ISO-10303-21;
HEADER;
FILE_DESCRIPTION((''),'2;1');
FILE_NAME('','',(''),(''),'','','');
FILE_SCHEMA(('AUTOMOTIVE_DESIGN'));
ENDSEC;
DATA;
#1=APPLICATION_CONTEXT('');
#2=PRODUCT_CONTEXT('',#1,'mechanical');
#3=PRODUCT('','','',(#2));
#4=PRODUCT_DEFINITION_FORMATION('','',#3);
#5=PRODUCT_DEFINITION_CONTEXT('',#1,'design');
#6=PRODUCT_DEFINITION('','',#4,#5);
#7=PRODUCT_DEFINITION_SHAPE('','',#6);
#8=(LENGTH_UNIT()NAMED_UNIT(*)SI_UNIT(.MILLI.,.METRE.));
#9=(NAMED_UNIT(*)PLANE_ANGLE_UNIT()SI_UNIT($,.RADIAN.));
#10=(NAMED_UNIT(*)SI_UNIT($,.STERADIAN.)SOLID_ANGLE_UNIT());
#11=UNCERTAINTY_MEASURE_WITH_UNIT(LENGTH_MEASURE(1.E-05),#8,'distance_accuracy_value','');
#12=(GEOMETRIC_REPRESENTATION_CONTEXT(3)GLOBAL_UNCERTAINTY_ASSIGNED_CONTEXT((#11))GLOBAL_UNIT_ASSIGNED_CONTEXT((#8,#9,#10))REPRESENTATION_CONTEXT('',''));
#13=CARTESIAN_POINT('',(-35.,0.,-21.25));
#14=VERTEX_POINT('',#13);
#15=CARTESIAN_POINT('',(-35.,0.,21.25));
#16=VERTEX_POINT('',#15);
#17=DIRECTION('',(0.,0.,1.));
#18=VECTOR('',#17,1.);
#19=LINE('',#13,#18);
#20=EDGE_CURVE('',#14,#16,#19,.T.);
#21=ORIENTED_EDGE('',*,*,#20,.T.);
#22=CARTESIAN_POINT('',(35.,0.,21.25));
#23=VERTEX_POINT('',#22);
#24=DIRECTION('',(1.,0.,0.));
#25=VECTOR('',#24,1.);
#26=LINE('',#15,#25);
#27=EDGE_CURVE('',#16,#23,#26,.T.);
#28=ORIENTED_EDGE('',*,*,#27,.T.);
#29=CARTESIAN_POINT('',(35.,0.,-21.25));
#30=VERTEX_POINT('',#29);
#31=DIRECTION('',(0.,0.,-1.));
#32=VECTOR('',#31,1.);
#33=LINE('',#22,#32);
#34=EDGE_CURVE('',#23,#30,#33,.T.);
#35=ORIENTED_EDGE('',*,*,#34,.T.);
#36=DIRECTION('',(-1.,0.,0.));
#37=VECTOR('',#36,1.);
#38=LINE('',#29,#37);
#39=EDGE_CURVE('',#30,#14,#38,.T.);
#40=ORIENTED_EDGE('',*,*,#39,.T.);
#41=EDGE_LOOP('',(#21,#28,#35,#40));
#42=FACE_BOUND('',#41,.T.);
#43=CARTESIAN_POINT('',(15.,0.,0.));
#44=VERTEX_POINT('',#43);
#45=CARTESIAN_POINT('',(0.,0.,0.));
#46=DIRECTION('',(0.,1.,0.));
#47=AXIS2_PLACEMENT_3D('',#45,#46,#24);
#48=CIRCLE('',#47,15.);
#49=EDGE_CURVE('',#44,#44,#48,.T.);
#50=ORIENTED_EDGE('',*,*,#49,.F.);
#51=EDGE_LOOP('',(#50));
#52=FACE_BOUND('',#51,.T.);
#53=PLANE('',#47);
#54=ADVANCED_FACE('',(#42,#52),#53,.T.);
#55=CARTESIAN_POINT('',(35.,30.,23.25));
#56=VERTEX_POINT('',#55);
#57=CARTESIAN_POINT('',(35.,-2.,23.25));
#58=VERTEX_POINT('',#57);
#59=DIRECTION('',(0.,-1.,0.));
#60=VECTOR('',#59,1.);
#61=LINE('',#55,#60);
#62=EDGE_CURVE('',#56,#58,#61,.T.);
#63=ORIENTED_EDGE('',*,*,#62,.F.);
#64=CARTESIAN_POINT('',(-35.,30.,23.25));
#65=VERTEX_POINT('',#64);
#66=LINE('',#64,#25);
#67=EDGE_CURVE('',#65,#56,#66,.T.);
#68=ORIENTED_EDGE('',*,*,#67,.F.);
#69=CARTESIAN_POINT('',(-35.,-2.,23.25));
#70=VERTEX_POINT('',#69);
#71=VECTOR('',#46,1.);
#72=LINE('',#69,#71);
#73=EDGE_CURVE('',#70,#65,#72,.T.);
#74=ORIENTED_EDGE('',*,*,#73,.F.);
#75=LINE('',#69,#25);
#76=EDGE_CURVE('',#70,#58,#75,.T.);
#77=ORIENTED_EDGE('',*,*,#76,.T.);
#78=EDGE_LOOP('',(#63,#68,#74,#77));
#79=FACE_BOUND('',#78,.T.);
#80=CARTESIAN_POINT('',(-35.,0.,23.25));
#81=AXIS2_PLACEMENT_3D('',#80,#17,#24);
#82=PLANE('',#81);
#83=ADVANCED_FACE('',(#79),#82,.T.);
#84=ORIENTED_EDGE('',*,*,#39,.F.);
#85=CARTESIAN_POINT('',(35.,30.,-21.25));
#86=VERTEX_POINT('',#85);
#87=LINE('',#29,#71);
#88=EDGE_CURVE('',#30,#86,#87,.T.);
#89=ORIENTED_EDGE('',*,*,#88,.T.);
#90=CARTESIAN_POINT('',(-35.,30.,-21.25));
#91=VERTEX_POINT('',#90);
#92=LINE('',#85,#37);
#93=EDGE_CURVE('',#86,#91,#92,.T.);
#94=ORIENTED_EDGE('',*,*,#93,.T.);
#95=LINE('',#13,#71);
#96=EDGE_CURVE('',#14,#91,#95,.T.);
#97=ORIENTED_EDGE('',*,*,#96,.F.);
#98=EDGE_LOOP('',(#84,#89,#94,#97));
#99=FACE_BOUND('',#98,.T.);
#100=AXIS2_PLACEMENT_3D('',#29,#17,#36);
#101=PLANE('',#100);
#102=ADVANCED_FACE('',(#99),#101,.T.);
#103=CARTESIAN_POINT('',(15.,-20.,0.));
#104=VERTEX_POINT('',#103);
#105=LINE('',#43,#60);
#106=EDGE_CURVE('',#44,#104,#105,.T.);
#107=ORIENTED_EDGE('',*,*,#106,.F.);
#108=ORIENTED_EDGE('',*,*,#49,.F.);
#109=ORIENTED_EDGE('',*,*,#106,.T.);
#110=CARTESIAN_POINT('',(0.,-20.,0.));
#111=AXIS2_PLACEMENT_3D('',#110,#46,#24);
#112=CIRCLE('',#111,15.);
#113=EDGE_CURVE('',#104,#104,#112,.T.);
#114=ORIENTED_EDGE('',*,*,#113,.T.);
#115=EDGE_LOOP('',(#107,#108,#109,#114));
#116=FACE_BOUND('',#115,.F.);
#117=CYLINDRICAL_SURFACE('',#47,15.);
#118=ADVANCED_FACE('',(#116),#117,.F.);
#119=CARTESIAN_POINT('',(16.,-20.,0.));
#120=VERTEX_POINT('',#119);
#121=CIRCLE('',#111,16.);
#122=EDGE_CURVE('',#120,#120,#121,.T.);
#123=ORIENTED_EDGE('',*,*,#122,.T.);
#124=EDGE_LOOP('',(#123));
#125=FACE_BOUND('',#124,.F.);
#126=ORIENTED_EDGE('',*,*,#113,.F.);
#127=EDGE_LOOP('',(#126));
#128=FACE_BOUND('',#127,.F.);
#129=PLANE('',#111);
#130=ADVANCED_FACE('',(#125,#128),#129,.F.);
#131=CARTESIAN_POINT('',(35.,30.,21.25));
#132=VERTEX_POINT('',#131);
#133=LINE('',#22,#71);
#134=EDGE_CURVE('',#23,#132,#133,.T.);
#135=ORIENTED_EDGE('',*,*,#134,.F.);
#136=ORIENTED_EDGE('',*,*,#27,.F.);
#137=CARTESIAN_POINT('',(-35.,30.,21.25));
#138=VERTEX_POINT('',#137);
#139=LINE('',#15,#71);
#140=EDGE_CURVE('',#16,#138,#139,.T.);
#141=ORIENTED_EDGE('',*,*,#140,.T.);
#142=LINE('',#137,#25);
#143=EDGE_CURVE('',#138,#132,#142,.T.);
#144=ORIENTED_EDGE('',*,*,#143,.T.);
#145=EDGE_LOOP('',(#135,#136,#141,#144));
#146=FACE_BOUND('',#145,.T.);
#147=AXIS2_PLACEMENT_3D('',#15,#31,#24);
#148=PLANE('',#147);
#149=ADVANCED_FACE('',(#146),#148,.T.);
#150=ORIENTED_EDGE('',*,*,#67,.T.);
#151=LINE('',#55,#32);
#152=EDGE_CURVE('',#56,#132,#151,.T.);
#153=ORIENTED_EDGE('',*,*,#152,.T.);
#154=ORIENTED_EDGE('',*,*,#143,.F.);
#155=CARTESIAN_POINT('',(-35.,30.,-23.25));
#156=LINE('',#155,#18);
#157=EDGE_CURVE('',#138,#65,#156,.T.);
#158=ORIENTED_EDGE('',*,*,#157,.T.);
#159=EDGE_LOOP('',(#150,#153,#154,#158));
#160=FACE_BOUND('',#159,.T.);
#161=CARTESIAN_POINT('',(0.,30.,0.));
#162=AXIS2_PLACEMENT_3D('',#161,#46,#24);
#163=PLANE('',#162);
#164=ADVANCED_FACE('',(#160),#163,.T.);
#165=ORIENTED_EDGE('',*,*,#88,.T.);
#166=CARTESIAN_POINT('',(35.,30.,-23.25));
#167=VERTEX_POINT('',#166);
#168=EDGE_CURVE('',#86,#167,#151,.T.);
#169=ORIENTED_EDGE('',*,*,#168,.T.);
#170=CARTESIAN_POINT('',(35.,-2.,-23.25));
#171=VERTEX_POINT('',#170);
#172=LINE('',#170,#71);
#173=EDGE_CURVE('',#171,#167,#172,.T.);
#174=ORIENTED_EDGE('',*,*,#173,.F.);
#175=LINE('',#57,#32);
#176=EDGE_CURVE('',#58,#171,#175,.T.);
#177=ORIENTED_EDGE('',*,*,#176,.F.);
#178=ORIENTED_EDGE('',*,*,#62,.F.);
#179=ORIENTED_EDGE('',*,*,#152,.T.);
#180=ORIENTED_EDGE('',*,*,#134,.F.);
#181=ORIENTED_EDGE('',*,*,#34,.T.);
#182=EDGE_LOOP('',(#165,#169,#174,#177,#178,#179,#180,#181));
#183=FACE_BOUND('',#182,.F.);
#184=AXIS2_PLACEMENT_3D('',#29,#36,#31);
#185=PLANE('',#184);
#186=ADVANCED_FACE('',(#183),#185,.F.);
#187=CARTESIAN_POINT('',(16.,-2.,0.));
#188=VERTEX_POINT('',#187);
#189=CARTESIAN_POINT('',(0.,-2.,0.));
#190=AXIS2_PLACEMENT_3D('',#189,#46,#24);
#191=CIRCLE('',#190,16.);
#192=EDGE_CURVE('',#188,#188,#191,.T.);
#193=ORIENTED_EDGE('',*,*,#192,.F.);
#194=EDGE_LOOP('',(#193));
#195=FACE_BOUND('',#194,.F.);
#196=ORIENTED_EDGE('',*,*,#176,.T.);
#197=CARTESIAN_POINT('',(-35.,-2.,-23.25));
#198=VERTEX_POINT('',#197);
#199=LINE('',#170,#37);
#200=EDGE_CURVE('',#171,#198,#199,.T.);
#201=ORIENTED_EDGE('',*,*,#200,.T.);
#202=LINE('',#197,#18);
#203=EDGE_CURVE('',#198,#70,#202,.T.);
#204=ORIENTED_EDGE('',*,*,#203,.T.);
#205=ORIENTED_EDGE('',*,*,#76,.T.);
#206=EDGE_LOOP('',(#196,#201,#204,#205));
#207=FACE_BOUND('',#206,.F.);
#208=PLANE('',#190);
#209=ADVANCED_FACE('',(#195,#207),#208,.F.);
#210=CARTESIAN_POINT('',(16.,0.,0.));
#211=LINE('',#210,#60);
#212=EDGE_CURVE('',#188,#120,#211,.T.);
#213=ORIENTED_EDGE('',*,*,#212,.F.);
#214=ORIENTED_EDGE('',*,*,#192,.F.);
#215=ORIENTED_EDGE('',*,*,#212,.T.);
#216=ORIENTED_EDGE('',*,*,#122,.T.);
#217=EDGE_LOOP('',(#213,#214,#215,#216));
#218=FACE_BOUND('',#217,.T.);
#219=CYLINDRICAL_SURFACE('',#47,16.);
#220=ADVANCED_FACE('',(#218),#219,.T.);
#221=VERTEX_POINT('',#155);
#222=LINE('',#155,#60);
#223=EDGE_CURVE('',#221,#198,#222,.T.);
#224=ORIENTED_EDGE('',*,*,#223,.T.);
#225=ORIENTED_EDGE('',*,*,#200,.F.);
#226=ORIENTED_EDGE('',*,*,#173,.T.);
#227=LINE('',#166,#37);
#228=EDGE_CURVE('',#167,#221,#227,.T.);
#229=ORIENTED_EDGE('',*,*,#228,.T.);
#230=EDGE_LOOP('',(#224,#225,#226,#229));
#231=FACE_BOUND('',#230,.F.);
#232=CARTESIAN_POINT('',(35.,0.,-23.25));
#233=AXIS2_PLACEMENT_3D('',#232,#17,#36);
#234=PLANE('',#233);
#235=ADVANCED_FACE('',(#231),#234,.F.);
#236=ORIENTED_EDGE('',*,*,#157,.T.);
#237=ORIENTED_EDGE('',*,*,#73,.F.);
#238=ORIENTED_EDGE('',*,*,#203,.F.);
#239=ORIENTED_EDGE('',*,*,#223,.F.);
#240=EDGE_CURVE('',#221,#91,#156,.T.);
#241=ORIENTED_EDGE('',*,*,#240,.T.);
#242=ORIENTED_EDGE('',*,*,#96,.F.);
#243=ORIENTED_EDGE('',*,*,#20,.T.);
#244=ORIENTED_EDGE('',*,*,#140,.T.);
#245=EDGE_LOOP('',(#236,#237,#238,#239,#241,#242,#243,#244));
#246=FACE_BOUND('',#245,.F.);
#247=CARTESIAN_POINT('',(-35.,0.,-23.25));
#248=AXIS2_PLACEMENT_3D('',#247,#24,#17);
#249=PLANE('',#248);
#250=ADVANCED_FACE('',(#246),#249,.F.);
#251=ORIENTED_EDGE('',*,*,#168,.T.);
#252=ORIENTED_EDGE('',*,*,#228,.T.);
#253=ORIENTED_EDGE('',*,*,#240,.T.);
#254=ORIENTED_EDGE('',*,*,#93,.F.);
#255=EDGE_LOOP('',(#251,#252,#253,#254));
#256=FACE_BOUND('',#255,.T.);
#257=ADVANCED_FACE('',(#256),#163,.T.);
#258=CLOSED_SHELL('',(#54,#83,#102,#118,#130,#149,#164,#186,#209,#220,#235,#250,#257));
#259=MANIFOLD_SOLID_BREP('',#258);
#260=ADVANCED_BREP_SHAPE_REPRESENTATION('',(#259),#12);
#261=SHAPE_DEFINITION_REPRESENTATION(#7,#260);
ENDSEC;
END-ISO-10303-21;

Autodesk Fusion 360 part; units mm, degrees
sketch "Sketch1" plane through (0, 0, 0) normal (0, 1, 0) x (1, 0, 0)
  circle A0 centre (0, 0) radius 15
  line L0 (35, 21.25) -> (-35, 21.25)
  line L1 (-35, 21.25) -> (-35, -21.25)
  line L2 (-35, -21.25) -> (35, -21.25)
  line L3 (35, -21.25) -> (35, 21.25)
  line L4 (35, 21.25) -> (-35, -21.25) construction
  line L5 (-35, 21.25) -> (35, -21.25) construction
  line L6 (35, 23.25) -> (-35, 23.25)
  line L7 (-35, 23.25) -> (-35, -23.25)
  line L8 (-35, -23.25) -> (35, -23.25)
  line L9 (35, -23.25) -> (35, 23.25)
  line L10 (35, 23.25) -> (-35, -23.25) construction
  line L11 (-35, 23.25) -> (35, -23.25) construction
  circle A1 centre (0, 0) radius 16
  dimension "d1" = 30
  dimension "d2" = 70
  dimension "d3" = 42.5
  dimension "d4" = 70
  dimension "d5" = 46.5
  dimension "d6" = 32
extrude "Extrude1" add sketch "Sketch1" against normal blind 20 contours A1 makes body 1
extrude "Extrude2" add sketch "Sketch1" against normal blind 2 contours L0 L1 L2 L3 L7 L9 bodies 1
extrude "Extrude3" add sketch "Sketch1" along normal blind 30 separate body contours L0 L6 L7 L9 | L2 L7 L8 L9 makes body 2 at (11.6667, 10, -21.25) makes body 3 at (-11.6667, 10, 23.25)
extrude "Extrude4" add sketch "Sketch1" against normal blind 2 contours L0 L6 L7 L9 | L2 L7 L8 L9 bodies 1 2 3
equation "d4 = d2"
equation "d5 = d3 + 4 mm"
equation "d6 = d1 + 2 mm"
